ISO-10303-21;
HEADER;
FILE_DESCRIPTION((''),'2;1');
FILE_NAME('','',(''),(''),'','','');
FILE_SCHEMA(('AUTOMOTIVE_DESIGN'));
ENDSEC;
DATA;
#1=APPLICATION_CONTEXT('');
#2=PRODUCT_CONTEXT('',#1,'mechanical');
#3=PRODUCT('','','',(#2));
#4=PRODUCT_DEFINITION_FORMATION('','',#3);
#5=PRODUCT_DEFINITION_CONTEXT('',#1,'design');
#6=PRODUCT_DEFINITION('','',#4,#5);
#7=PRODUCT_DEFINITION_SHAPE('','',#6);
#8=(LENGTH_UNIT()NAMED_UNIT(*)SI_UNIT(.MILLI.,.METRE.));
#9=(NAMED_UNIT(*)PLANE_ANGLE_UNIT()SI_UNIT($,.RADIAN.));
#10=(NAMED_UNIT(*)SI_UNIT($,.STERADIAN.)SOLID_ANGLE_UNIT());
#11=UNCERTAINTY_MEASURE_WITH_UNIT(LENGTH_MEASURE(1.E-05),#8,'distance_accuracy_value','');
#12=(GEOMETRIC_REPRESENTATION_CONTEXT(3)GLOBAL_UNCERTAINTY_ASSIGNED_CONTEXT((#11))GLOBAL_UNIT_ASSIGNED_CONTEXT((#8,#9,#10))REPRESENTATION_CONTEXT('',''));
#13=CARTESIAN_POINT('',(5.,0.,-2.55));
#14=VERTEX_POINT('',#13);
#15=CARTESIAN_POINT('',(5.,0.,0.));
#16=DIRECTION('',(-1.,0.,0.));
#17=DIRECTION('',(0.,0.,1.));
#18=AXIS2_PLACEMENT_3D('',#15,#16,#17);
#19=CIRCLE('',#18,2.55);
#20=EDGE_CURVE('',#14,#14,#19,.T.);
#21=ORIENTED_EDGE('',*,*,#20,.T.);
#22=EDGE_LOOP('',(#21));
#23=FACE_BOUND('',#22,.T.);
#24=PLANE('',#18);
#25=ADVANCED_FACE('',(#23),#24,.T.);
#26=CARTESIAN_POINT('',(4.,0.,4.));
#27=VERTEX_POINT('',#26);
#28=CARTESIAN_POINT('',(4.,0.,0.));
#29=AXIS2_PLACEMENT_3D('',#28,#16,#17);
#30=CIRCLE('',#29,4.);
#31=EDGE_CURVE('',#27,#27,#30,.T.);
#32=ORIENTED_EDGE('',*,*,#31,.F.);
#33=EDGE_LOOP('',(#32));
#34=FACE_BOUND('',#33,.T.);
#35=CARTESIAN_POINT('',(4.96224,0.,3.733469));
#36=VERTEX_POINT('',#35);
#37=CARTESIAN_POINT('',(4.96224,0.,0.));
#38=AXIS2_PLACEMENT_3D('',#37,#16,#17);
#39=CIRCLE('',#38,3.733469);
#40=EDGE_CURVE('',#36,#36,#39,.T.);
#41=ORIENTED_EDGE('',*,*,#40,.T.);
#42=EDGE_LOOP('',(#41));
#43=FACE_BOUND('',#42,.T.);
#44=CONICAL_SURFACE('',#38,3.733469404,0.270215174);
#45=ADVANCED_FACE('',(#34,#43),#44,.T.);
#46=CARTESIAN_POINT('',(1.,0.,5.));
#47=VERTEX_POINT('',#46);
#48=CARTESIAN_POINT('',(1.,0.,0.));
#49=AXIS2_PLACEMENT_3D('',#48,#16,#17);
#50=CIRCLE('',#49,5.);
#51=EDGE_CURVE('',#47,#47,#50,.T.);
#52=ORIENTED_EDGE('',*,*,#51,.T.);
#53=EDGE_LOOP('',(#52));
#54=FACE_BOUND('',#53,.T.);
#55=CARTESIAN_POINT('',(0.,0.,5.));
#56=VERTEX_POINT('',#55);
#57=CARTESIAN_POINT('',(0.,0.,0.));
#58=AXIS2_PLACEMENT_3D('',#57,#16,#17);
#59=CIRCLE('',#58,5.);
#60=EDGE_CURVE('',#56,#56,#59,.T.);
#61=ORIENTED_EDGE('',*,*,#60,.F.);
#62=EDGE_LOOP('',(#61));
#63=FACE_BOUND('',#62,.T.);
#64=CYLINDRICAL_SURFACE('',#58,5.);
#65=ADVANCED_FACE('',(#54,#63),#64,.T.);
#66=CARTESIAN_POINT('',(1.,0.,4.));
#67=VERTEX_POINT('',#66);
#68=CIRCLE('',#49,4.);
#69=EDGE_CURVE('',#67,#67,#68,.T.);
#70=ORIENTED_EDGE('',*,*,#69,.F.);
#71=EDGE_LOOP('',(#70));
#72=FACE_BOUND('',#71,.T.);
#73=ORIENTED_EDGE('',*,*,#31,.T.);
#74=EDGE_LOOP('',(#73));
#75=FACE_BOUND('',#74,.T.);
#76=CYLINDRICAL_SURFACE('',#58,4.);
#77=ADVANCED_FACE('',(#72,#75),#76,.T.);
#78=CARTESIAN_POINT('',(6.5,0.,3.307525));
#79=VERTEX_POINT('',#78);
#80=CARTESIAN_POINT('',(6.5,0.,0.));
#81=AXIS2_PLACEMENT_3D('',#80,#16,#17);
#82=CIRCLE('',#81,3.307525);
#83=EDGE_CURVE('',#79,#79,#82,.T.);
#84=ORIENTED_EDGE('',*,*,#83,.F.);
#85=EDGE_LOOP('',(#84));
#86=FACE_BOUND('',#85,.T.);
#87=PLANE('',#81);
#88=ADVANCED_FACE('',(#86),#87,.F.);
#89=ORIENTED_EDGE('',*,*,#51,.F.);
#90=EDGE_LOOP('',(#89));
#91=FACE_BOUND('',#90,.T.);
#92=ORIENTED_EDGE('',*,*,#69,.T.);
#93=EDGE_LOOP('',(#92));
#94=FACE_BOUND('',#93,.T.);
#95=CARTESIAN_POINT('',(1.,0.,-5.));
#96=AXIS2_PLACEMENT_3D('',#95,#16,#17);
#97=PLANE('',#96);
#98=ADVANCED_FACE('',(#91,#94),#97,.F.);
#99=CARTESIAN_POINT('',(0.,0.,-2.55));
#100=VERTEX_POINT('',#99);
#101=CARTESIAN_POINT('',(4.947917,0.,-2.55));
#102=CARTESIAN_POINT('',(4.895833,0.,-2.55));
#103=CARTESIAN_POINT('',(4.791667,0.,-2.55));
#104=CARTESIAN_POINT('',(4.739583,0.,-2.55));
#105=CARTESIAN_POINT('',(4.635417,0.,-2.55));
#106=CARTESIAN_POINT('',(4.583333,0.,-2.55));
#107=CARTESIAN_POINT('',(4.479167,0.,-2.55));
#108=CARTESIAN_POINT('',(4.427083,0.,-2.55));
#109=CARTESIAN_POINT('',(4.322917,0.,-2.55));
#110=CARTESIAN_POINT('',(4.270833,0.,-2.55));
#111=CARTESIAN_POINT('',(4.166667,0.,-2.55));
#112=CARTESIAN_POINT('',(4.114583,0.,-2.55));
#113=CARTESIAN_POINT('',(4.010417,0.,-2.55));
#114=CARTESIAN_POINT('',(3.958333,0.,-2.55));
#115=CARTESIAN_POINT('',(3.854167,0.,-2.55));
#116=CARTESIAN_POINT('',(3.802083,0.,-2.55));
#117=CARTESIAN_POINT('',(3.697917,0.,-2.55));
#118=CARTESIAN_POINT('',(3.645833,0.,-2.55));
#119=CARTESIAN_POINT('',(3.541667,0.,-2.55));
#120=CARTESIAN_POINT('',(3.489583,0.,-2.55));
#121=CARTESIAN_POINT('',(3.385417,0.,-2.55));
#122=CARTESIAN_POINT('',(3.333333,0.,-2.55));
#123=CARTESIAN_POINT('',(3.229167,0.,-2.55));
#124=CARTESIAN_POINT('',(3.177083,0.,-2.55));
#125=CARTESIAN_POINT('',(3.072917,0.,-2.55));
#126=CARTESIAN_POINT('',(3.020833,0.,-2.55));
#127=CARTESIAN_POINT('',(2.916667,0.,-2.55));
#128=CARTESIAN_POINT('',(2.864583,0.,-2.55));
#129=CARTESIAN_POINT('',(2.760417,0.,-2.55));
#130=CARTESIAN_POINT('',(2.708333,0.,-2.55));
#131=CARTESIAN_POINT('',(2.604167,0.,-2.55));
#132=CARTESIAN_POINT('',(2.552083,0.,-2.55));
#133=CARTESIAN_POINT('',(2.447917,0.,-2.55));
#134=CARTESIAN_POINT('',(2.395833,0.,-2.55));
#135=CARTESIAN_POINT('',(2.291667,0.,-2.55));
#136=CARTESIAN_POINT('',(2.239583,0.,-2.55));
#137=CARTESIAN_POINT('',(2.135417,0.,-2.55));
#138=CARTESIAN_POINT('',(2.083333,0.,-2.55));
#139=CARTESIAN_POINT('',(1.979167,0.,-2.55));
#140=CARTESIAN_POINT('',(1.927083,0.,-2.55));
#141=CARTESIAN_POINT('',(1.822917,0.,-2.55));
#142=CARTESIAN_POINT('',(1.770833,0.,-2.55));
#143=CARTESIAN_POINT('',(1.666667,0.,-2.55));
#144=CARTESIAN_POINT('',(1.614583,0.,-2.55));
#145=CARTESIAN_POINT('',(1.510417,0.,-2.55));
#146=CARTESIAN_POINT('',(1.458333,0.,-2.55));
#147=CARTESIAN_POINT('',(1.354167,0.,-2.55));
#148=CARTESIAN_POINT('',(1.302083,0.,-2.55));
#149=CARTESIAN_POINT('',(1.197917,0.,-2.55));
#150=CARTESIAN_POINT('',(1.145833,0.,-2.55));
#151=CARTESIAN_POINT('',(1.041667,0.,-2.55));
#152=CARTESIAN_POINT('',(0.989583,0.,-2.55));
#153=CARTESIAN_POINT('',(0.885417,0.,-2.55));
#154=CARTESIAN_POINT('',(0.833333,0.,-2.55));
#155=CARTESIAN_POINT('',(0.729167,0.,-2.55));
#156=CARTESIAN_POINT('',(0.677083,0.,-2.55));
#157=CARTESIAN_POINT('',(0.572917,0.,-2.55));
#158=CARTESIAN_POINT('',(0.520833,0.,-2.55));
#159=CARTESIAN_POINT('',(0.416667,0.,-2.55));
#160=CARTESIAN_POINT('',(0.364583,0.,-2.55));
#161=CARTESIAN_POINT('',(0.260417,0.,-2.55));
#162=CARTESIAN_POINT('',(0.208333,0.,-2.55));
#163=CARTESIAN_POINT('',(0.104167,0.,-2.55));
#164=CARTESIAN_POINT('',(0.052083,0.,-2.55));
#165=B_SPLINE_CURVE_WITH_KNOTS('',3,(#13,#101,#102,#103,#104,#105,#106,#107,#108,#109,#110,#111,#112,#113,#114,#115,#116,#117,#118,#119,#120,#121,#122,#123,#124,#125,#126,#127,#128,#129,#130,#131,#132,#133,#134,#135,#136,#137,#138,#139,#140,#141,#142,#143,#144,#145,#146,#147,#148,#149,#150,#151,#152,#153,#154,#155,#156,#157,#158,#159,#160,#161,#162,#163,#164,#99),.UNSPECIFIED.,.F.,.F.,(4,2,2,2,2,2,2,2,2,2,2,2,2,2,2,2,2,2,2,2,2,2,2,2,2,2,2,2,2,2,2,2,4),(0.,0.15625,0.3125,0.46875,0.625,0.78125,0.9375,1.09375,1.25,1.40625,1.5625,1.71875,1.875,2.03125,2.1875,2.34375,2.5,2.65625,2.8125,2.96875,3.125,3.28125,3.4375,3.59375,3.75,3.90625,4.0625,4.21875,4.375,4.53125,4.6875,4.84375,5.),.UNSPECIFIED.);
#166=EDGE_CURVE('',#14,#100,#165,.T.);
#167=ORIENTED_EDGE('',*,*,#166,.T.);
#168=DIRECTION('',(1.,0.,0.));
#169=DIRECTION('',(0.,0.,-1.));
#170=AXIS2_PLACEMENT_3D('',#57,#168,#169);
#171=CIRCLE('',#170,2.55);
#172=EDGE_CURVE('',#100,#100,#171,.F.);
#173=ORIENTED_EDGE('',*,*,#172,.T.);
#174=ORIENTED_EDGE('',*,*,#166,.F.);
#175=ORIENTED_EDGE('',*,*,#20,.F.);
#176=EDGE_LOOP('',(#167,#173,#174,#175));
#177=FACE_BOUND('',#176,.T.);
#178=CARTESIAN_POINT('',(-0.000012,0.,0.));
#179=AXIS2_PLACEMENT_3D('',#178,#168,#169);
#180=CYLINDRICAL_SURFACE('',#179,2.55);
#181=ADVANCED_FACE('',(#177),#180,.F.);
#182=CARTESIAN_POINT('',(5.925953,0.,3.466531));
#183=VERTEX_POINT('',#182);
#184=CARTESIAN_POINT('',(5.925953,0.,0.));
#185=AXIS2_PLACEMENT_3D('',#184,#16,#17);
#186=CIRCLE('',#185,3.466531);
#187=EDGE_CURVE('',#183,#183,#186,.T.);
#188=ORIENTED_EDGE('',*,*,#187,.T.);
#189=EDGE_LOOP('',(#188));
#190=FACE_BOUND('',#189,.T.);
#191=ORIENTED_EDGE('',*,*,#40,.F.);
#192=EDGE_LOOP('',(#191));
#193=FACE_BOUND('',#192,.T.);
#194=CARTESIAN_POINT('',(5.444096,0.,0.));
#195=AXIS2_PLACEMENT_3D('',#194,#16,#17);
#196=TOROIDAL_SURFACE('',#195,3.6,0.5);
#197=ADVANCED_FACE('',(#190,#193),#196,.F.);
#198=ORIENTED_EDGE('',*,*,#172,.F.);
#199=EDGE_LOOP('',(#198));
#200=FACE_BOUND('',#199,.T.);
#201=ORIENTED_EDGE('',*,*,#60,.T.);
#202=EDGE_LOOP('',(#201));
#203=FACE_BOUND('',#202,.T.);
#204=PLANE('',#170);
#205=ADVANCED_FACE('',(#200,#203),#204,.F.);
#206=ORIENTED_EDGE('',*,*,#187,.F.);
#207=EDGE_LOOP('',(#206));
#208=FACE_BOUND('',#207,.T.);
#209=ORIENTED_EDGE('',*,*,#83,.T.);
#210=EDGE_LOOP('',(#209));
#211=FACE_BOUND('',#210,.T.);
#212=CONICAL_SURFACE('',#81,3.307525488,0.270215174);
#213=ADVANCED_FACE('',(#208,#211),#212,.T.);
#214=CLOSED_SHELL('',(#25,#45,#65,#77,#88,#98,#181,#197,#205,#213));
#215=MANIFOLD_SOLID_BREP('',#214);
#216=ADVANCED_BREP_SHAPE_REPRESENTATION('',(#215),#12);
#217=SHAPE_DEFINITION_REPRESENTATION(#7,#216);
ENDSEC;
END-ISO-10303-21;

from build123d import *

# Parameters (mm, degrees)
SKETCH3_R               = 1.75
BOSS_EXTRUDE1_DEPTH     = 4
CUT_EXTRUDE1_DEPTH      = 10.604686356
CUT_EXTRUDE1_DEPTH_BACK = 5
SKETCH4_R               = 2.55


with BuildPart() as part:
    # Sketch2 → Revolve1 (revolve)
    with BuildSketch(Plane(origin=(0, 0, 0), x_dir=(1, 0, 0), z_dir=(0, 1, 0)), mode=Mode.PRIVATE) as revolve1_sk:
        with BuildLine():
            Line((0, 0), (0, 5))
            Line((0, 5), (1, 5))
            Line((1, 5), (1, 4))
            Line((1, 4), (4, 4))
            Line((4, 4), (4.962239732, 3.733469404))
            ThreePointArc((4.962239732, 3.733469404), (5.310627067, 3.11814326), (5.925953212, 3.466530596))
            Line((5.925953212, 3.466530596), (6.5, 3.307525488))
            Line((6.5, 3.307525488), (6.5, 0))
            Line((6.5, 0), (0, 0))
        make_face()
    revolve(revolve1_sk.sketch.rotate(Axis((0, 0, 0), (1, 0, 0)), 180), axis=Axis((0, 0, 0), (1, 0, 0)))

    # Sketch3 → Boss-Extrude1 (add)
    with BuildSketch(Plane.ZY):
        Circle(SKETCH3_R)
    extrude(amount=-BOSS_EXTRUDE1_DEPTH)

    # Sketch4 → Cut-Extrude1 (cut, two sides: drawn at the far end of the back side and taken through both)
    with BuildSketch(Plane.ZY.offset(-CUT_EXTRUDE1_DEPTH_BACK)):
        with Locations(Location((0, 0, 0), (0, 0, 180))):
            Circle(SKETCH4_R)
    extrude(amount=CUT_EXTRUDE1_DEPTH + CUT_EXTRUDE1_DEPTH_BACK, mode=Mode.SUBTRACT)


solid = part.part
